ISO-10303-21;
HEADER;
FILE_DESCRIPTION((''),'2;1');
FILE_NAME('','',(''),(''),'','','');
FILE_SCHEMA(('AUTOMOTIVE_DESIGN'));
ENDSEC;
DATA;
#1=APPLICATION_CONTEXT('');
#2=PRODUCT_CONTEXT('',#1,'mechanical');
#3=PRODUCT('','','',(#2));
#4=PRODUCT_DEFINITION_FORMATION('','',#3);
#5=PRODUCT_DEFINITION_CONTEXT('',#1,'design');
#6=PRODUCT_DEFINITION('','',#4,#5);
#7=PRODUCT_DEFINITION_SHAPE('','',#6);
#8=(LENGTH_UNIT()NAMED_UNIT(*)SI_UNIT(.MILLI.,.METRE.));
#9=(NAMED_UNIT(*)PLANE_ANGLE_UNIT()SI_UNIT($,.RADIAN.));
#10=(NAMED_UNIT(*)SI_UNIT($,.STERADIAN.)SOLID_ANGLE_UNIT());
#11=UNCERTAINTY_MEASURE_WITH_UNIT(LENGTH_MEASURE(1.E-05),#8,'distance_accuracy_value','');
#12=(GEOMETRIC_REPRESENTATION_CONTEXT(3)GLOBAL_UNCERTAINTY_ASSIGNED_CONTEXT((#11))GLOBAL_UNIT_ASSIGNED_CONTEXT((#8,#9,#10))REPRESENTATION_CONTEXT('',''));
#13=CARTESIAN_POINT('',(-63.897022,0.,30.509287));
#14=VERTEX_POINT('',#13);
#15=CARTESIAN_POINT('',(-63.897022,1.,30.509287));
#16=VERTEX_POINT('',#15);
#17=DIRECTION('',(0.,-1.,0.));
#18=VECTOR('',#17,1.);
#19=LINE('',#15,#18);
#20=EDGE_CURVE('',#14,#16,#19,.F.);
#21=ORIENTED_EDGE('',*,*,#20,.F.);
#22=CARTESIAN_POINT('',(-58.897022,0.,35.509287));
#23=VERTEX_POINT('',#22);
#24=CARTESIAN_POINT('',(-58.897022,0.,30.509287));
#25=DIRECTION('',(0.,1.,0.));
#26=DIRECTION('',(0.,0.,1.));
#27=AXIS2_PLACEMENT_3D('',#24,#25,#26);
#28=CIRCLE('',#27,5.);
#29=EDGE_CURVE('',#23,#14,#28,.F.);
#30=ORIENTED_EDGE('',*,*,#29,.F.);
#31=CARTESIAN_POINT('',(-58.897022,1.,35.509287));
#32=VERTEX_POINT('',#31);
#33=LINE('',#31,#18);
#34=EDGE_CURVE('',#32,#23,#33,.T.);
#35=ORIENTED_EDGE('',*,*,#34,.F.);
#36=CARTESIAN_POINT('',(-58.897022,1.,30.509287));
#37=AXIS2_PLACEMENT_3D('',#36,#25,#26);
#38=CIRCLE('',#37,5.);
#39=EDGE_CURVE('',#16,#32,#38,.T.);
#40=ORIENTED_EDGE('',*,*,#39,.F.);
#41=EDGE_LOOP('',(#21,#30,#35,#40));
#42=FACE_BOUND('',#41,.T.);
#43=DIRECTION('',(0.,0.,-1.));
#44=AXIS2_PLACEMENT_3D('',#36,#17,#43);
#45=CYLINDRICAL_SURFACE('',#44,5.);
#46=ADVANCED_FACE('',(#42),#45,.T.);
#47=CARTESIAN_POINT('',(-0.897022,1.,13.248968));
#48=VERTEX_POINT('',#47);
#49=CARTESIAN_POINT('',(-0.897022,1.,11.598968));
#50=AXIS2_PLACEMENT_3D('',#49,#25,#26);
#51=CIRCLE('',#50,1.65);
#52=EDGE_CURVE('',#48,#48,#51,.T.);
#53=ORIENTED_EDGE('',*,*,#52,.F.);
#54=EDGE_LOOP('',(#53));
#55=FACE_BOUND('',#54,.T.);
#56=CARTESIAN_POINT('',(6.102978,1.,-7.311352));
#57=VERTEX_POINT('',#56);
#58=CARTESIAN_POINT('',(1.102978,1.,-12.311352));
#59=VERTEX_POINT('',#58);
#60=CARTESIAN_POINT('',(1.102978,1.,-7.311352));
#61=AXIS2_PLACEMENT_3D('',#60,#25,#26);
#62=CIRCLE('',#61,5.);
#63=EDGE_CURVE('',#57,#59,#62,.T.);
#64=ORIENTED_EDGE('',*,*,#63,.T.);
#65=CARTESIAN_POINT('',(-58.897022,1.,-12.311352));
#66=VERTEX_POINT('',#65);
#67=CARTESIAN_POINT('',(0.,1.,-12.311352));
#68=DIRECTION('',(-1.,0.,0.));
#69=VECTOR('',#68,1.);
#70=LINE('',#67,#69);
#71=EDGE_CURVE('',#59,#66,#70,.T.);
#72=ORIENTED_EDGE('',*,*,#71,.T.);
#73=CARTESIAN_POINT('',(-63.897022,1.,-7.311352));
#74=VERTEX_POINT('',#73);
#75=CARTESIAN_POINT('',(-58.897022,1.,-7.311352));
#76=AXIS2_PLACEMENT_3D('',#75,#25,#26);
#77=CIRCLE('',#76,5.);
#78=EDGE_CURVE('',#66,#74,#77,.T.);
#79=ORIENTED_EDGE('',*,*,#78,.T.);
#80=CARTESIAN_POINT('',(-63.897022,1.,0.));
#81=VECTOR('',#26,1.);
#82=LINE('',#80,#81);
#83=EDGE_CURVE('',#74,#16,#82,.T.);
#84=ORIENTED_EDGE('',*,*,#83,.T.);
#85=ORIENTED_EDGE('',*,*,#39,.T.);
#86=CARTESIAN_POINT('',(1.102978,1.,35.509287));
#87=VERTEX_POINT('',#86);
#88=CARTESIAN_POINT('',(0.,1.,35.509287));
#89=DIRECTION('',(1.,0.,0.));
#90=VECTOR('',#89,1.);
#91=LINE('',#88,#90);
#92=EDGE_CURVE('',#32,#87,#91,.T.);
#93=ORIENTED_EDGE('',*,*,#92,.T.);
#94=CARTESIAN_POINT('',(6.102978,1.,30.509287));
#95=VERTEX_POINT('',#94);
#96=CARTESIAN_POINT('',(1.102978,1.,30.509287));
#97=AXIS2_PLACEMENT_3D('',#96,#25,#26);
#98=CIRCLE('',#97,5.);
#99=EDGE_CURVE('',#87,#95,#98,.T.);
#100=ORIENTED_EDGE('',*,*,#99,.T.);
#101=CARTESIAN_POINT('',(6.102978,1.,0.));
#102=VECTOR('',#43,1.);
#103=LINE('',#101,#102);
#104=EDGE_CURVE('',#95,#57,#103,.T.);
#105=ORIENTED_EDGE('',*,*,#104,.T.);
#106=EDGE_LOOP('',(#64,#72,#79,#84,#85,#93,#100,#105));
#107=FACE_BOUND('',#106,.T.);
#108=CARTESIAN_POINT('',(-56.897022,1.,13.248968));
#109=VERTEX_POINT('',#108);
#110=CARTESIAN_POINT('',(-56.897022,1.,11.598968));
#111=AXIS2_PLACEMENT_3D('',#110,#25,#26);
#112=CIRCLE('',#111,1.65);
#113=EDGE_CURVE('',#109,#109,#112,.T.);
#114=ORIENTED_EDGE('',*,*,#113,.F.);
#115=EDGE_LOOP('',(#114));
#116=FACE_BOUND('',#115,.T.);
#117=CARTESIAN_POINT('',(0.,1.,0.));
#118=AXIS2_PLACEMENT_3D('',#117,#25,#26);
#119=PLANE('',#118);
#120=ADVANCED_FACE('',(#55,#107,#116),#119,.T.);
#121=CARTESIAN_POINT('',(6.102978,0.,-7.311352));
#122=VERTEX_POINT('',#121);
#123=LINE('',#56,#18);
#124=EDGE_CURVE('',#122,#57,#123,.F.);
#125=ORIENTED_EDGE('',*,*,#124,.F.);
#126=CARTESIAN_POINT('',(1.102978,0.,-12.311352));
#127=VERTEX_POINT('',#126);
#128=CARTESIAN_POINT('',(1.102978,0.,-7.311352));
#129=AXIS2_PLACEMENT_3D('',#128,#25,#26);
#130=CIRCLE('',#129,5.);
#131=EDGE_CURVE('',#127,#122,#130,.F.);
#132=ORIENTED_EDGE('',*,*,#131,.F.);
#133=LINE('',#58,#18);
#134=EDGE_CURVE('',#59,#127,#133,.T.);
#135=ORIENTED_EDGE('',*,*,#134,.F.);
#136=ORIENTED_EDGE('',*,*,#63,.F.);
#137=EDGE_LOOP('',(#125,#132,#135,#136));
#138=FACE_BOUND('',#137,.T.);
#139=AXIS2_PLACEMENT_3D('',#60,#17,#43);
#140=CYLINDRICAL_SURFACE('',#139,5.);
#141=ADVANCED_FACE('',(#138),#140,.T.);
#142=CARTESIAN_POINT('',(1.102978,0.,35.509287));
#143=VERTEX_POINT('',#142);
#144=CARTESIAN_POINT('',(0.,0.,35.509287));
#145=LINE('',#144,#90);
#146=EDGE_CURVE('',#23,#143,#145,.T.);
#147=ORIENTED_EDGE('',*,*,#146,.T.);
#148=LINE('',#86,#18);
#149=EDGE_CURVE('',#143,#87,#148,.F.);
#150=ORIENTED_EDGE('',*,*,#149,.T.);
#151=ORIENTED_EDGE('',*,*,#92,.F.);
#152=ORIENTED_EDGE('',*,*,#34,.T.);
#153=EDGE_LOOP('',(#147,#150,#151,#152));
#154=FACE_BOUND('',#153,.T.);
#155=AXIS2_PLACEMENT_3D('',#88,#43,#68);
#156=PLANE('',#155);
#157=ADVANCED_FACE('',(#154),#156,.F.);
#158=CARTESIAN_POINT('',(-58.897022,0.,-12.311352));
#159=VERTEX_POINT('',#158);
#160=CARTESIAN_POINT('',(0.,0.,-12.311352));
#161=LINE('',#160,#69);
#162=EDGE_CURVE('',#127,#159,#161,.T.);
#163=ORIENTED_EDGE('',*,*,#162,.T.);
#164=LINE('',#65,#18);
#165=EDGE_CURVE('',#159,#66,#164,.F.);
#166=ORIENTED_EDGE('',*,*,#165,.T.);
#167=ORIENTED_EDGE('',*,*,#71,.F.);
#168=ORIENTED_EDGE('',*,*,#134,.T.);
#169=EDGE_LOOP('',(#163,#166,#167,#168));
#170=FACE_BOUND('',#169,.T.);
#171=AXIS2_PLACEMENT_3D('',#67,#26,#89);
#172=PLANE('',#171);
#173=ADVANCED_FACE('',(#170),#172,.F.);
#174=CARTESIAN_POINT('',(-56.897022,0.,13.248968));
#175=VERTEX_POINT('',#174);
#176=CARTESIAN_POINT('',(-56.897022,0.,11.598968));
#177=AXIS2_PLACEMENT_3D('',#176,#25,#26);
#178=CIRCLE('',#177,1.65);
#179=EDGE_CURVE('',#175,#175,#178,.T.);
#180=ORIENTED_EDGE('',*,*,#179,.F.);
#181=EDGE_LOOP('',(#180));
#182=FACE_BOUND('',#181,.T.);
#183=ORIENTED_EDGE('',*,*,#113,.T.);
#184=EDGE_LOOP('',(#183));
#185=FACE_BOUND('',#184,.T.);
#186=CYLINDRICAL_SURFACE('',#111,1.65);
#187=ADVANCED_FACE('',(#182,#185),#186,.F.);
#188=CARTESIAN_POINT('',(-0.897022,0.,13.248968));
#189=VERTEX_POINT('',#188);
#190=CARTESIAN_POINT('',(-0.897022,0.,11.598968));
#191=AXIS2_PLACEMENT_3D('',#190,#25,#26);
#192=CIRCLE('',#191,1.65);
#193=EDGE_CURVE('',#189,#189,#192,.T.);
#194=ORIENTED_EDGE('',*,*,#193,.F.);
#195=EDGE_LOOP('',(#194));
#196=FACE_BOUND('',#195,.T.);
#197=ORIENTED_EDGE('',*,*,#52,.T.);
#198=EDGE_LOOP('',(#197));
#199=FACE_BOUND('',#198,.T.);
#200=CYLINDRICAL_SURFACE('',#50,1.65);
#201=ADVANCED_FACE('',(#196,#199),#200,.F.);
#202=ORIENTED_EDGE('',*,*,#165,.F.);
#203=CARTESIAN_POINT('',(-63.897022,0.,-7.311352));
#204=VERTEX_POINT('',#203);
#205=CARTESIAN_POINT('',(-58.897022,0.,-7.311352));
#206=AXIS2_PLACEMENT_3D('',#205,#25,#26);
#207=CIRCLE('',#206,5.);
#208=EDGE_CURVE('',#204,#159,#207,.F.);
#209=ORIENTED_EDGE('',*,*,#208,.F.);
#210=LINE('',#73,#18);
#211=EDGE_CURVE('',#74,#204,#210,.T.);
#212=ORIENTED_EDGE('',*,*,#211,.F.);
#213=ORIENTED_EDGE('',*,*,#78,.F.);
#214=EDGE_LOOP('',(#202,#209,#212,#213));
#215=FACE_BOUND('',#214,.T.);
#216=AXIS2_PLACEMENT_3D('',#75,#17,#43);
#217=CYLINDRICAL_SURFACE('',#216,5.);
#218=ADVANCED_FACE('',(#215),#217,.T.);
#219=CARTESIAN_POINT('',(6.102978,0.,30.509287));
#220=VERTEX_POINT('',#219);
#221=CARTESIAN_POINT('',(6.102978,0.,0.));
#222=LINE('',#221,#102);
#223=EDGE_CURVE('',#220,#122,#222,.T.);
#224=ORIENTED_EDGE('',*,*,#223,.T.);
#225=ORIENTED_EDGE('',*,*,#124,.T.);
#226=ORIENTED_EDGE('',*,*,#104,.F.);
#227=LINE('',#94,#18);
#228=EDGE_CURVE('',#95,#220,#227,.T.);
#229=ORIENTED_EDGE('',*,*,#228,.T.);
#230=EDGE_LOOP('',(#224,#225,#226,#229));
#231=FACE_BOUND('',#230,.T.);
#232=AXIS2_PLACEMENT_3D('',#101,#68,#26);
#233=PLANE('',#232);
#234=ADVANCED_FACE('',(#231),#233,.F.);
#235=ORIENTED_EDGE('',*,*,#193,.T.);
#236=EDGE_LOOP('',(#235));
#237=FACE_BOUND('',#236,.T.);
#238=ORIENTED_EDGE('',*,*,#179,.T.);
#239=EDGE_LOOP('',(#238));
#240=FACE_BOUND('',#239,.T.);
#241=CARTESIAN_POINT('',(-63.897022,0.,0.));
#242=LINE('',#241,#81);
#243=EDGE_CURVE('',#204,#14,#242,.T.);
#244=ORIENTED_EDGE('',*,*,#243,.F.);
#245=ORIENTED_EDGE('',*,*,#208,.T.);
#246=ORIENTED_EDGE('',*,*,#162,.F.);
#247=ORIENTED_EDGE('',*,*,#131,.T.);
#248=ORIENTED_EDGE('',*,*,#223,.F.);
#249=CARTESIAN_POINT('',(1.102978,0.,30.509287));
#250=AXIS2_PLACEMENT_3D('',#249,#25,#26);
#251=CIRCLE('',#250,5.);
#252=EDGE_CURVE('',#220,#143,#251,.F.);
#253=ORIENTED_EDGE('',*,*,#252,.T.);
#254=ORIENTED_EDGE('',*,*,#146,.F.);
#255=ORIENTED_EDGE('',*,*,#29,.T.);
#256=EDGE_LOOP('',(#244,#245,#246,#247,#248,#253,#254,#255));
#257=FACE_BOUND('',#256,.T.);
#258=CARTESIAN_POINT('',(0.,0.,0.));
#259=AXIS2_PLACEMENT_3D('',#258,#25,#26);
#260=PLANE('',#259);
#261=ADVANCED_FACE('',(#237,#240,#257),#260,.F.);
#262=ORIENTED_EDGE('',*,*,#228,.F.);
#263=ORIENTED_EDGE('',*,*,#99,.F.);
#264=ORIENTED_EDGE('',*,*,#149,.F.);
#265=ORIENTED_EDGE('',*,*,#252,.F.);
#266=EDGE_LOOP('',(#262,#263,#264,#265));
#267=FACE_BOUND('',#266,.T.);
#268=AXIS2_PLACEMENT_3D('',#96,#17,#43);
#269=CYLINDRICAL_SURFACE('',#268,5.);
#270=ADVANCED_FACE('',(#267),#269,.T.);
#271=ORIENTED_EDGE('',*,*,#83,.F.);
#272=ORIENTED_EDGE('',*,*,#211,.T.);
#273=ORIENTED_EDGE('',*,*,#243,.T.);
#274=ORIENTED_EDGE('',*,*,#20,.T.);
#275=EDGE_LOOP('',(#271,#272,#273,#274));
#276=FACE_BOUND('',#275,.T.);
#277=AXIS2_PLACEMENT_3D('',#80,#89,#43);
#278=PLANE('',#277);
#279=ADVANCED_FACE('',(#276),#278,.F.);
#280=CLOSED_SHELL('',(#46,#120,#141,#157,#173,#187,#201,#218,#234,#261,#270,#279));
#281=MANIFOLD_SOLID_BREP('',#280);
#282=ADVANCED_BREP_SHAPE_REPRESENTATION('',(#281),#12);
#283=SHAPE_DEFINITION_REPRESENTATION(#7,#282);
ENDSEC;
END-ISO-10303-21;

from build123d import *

# Parameters (mm, degrees)
CROQUIS1_W                = 70
CROQUIS1_H                = 47.820638631
SALIENTE_EXTRUIR1_DEPTH   = 1
REDONDEO1_R               = 5
TALADRO_ROSCADO_M41_D     = 3.3
TALADRO_ROSCADO_M41_DEPTH = 11.5
TALADRO_ROSCADO_M41_TIP   = 0.991420021


with BuildPart() as part:
    # Croquis1 → Saliente-Extruir1 (new body)
    with BuildSketch(Plane(origin=(0, 0, 0), x_dir=(1, 0, 0), z_dir=(0, 1, 0))):
        with Locations((-28.897022241, -11.598967779)):
            Rectangle(CROQUIS1_W, CROQUIS1_H)
    extrude(amount=SALIENTE_EXTRUIR1_DEPTH)

    # Redondeo1
    redondeo1_edges = [part.edges().sort_by_distance(p)[0] for p in [
        (6.102977759, 0.5, 35.509287094),
        (-63.897022241, 0.5, 35.509287094),
        (-63.897022241, 0.5, -12.311351537),
        (6.102977759, 0.5, -12.311351537),
    ]]
    fillet(redondeo1_edges, radius=REDONDEO1_R)

    # Taladro roscado M41
    with Locations(Plane(origin=(0, 1, 0), x_dir=(1, 0, 0), z_dir=(0, 1, 0))):
        with Locations((-56.897022241, -11.598967779), (-0.897022241, -11.598967779)):
            Hole(TALADRO_ROSCADO_M41_D / 2, depth=TALADRO_ROSCADO_M41_DEPTH)
            with Locations((0, 0, -(TALADRO_ROSCADO_M41_DEPTH + TALADRO_ROSCADO_M41_TIP / 2))):  # 118° drill point
                Cone(0, TALADRO_ROSCADO_M41_D / 2, TALADRO_ROSCADO_M41_TIP, mode=Mode.SUBTRACT)


solid = part.part
